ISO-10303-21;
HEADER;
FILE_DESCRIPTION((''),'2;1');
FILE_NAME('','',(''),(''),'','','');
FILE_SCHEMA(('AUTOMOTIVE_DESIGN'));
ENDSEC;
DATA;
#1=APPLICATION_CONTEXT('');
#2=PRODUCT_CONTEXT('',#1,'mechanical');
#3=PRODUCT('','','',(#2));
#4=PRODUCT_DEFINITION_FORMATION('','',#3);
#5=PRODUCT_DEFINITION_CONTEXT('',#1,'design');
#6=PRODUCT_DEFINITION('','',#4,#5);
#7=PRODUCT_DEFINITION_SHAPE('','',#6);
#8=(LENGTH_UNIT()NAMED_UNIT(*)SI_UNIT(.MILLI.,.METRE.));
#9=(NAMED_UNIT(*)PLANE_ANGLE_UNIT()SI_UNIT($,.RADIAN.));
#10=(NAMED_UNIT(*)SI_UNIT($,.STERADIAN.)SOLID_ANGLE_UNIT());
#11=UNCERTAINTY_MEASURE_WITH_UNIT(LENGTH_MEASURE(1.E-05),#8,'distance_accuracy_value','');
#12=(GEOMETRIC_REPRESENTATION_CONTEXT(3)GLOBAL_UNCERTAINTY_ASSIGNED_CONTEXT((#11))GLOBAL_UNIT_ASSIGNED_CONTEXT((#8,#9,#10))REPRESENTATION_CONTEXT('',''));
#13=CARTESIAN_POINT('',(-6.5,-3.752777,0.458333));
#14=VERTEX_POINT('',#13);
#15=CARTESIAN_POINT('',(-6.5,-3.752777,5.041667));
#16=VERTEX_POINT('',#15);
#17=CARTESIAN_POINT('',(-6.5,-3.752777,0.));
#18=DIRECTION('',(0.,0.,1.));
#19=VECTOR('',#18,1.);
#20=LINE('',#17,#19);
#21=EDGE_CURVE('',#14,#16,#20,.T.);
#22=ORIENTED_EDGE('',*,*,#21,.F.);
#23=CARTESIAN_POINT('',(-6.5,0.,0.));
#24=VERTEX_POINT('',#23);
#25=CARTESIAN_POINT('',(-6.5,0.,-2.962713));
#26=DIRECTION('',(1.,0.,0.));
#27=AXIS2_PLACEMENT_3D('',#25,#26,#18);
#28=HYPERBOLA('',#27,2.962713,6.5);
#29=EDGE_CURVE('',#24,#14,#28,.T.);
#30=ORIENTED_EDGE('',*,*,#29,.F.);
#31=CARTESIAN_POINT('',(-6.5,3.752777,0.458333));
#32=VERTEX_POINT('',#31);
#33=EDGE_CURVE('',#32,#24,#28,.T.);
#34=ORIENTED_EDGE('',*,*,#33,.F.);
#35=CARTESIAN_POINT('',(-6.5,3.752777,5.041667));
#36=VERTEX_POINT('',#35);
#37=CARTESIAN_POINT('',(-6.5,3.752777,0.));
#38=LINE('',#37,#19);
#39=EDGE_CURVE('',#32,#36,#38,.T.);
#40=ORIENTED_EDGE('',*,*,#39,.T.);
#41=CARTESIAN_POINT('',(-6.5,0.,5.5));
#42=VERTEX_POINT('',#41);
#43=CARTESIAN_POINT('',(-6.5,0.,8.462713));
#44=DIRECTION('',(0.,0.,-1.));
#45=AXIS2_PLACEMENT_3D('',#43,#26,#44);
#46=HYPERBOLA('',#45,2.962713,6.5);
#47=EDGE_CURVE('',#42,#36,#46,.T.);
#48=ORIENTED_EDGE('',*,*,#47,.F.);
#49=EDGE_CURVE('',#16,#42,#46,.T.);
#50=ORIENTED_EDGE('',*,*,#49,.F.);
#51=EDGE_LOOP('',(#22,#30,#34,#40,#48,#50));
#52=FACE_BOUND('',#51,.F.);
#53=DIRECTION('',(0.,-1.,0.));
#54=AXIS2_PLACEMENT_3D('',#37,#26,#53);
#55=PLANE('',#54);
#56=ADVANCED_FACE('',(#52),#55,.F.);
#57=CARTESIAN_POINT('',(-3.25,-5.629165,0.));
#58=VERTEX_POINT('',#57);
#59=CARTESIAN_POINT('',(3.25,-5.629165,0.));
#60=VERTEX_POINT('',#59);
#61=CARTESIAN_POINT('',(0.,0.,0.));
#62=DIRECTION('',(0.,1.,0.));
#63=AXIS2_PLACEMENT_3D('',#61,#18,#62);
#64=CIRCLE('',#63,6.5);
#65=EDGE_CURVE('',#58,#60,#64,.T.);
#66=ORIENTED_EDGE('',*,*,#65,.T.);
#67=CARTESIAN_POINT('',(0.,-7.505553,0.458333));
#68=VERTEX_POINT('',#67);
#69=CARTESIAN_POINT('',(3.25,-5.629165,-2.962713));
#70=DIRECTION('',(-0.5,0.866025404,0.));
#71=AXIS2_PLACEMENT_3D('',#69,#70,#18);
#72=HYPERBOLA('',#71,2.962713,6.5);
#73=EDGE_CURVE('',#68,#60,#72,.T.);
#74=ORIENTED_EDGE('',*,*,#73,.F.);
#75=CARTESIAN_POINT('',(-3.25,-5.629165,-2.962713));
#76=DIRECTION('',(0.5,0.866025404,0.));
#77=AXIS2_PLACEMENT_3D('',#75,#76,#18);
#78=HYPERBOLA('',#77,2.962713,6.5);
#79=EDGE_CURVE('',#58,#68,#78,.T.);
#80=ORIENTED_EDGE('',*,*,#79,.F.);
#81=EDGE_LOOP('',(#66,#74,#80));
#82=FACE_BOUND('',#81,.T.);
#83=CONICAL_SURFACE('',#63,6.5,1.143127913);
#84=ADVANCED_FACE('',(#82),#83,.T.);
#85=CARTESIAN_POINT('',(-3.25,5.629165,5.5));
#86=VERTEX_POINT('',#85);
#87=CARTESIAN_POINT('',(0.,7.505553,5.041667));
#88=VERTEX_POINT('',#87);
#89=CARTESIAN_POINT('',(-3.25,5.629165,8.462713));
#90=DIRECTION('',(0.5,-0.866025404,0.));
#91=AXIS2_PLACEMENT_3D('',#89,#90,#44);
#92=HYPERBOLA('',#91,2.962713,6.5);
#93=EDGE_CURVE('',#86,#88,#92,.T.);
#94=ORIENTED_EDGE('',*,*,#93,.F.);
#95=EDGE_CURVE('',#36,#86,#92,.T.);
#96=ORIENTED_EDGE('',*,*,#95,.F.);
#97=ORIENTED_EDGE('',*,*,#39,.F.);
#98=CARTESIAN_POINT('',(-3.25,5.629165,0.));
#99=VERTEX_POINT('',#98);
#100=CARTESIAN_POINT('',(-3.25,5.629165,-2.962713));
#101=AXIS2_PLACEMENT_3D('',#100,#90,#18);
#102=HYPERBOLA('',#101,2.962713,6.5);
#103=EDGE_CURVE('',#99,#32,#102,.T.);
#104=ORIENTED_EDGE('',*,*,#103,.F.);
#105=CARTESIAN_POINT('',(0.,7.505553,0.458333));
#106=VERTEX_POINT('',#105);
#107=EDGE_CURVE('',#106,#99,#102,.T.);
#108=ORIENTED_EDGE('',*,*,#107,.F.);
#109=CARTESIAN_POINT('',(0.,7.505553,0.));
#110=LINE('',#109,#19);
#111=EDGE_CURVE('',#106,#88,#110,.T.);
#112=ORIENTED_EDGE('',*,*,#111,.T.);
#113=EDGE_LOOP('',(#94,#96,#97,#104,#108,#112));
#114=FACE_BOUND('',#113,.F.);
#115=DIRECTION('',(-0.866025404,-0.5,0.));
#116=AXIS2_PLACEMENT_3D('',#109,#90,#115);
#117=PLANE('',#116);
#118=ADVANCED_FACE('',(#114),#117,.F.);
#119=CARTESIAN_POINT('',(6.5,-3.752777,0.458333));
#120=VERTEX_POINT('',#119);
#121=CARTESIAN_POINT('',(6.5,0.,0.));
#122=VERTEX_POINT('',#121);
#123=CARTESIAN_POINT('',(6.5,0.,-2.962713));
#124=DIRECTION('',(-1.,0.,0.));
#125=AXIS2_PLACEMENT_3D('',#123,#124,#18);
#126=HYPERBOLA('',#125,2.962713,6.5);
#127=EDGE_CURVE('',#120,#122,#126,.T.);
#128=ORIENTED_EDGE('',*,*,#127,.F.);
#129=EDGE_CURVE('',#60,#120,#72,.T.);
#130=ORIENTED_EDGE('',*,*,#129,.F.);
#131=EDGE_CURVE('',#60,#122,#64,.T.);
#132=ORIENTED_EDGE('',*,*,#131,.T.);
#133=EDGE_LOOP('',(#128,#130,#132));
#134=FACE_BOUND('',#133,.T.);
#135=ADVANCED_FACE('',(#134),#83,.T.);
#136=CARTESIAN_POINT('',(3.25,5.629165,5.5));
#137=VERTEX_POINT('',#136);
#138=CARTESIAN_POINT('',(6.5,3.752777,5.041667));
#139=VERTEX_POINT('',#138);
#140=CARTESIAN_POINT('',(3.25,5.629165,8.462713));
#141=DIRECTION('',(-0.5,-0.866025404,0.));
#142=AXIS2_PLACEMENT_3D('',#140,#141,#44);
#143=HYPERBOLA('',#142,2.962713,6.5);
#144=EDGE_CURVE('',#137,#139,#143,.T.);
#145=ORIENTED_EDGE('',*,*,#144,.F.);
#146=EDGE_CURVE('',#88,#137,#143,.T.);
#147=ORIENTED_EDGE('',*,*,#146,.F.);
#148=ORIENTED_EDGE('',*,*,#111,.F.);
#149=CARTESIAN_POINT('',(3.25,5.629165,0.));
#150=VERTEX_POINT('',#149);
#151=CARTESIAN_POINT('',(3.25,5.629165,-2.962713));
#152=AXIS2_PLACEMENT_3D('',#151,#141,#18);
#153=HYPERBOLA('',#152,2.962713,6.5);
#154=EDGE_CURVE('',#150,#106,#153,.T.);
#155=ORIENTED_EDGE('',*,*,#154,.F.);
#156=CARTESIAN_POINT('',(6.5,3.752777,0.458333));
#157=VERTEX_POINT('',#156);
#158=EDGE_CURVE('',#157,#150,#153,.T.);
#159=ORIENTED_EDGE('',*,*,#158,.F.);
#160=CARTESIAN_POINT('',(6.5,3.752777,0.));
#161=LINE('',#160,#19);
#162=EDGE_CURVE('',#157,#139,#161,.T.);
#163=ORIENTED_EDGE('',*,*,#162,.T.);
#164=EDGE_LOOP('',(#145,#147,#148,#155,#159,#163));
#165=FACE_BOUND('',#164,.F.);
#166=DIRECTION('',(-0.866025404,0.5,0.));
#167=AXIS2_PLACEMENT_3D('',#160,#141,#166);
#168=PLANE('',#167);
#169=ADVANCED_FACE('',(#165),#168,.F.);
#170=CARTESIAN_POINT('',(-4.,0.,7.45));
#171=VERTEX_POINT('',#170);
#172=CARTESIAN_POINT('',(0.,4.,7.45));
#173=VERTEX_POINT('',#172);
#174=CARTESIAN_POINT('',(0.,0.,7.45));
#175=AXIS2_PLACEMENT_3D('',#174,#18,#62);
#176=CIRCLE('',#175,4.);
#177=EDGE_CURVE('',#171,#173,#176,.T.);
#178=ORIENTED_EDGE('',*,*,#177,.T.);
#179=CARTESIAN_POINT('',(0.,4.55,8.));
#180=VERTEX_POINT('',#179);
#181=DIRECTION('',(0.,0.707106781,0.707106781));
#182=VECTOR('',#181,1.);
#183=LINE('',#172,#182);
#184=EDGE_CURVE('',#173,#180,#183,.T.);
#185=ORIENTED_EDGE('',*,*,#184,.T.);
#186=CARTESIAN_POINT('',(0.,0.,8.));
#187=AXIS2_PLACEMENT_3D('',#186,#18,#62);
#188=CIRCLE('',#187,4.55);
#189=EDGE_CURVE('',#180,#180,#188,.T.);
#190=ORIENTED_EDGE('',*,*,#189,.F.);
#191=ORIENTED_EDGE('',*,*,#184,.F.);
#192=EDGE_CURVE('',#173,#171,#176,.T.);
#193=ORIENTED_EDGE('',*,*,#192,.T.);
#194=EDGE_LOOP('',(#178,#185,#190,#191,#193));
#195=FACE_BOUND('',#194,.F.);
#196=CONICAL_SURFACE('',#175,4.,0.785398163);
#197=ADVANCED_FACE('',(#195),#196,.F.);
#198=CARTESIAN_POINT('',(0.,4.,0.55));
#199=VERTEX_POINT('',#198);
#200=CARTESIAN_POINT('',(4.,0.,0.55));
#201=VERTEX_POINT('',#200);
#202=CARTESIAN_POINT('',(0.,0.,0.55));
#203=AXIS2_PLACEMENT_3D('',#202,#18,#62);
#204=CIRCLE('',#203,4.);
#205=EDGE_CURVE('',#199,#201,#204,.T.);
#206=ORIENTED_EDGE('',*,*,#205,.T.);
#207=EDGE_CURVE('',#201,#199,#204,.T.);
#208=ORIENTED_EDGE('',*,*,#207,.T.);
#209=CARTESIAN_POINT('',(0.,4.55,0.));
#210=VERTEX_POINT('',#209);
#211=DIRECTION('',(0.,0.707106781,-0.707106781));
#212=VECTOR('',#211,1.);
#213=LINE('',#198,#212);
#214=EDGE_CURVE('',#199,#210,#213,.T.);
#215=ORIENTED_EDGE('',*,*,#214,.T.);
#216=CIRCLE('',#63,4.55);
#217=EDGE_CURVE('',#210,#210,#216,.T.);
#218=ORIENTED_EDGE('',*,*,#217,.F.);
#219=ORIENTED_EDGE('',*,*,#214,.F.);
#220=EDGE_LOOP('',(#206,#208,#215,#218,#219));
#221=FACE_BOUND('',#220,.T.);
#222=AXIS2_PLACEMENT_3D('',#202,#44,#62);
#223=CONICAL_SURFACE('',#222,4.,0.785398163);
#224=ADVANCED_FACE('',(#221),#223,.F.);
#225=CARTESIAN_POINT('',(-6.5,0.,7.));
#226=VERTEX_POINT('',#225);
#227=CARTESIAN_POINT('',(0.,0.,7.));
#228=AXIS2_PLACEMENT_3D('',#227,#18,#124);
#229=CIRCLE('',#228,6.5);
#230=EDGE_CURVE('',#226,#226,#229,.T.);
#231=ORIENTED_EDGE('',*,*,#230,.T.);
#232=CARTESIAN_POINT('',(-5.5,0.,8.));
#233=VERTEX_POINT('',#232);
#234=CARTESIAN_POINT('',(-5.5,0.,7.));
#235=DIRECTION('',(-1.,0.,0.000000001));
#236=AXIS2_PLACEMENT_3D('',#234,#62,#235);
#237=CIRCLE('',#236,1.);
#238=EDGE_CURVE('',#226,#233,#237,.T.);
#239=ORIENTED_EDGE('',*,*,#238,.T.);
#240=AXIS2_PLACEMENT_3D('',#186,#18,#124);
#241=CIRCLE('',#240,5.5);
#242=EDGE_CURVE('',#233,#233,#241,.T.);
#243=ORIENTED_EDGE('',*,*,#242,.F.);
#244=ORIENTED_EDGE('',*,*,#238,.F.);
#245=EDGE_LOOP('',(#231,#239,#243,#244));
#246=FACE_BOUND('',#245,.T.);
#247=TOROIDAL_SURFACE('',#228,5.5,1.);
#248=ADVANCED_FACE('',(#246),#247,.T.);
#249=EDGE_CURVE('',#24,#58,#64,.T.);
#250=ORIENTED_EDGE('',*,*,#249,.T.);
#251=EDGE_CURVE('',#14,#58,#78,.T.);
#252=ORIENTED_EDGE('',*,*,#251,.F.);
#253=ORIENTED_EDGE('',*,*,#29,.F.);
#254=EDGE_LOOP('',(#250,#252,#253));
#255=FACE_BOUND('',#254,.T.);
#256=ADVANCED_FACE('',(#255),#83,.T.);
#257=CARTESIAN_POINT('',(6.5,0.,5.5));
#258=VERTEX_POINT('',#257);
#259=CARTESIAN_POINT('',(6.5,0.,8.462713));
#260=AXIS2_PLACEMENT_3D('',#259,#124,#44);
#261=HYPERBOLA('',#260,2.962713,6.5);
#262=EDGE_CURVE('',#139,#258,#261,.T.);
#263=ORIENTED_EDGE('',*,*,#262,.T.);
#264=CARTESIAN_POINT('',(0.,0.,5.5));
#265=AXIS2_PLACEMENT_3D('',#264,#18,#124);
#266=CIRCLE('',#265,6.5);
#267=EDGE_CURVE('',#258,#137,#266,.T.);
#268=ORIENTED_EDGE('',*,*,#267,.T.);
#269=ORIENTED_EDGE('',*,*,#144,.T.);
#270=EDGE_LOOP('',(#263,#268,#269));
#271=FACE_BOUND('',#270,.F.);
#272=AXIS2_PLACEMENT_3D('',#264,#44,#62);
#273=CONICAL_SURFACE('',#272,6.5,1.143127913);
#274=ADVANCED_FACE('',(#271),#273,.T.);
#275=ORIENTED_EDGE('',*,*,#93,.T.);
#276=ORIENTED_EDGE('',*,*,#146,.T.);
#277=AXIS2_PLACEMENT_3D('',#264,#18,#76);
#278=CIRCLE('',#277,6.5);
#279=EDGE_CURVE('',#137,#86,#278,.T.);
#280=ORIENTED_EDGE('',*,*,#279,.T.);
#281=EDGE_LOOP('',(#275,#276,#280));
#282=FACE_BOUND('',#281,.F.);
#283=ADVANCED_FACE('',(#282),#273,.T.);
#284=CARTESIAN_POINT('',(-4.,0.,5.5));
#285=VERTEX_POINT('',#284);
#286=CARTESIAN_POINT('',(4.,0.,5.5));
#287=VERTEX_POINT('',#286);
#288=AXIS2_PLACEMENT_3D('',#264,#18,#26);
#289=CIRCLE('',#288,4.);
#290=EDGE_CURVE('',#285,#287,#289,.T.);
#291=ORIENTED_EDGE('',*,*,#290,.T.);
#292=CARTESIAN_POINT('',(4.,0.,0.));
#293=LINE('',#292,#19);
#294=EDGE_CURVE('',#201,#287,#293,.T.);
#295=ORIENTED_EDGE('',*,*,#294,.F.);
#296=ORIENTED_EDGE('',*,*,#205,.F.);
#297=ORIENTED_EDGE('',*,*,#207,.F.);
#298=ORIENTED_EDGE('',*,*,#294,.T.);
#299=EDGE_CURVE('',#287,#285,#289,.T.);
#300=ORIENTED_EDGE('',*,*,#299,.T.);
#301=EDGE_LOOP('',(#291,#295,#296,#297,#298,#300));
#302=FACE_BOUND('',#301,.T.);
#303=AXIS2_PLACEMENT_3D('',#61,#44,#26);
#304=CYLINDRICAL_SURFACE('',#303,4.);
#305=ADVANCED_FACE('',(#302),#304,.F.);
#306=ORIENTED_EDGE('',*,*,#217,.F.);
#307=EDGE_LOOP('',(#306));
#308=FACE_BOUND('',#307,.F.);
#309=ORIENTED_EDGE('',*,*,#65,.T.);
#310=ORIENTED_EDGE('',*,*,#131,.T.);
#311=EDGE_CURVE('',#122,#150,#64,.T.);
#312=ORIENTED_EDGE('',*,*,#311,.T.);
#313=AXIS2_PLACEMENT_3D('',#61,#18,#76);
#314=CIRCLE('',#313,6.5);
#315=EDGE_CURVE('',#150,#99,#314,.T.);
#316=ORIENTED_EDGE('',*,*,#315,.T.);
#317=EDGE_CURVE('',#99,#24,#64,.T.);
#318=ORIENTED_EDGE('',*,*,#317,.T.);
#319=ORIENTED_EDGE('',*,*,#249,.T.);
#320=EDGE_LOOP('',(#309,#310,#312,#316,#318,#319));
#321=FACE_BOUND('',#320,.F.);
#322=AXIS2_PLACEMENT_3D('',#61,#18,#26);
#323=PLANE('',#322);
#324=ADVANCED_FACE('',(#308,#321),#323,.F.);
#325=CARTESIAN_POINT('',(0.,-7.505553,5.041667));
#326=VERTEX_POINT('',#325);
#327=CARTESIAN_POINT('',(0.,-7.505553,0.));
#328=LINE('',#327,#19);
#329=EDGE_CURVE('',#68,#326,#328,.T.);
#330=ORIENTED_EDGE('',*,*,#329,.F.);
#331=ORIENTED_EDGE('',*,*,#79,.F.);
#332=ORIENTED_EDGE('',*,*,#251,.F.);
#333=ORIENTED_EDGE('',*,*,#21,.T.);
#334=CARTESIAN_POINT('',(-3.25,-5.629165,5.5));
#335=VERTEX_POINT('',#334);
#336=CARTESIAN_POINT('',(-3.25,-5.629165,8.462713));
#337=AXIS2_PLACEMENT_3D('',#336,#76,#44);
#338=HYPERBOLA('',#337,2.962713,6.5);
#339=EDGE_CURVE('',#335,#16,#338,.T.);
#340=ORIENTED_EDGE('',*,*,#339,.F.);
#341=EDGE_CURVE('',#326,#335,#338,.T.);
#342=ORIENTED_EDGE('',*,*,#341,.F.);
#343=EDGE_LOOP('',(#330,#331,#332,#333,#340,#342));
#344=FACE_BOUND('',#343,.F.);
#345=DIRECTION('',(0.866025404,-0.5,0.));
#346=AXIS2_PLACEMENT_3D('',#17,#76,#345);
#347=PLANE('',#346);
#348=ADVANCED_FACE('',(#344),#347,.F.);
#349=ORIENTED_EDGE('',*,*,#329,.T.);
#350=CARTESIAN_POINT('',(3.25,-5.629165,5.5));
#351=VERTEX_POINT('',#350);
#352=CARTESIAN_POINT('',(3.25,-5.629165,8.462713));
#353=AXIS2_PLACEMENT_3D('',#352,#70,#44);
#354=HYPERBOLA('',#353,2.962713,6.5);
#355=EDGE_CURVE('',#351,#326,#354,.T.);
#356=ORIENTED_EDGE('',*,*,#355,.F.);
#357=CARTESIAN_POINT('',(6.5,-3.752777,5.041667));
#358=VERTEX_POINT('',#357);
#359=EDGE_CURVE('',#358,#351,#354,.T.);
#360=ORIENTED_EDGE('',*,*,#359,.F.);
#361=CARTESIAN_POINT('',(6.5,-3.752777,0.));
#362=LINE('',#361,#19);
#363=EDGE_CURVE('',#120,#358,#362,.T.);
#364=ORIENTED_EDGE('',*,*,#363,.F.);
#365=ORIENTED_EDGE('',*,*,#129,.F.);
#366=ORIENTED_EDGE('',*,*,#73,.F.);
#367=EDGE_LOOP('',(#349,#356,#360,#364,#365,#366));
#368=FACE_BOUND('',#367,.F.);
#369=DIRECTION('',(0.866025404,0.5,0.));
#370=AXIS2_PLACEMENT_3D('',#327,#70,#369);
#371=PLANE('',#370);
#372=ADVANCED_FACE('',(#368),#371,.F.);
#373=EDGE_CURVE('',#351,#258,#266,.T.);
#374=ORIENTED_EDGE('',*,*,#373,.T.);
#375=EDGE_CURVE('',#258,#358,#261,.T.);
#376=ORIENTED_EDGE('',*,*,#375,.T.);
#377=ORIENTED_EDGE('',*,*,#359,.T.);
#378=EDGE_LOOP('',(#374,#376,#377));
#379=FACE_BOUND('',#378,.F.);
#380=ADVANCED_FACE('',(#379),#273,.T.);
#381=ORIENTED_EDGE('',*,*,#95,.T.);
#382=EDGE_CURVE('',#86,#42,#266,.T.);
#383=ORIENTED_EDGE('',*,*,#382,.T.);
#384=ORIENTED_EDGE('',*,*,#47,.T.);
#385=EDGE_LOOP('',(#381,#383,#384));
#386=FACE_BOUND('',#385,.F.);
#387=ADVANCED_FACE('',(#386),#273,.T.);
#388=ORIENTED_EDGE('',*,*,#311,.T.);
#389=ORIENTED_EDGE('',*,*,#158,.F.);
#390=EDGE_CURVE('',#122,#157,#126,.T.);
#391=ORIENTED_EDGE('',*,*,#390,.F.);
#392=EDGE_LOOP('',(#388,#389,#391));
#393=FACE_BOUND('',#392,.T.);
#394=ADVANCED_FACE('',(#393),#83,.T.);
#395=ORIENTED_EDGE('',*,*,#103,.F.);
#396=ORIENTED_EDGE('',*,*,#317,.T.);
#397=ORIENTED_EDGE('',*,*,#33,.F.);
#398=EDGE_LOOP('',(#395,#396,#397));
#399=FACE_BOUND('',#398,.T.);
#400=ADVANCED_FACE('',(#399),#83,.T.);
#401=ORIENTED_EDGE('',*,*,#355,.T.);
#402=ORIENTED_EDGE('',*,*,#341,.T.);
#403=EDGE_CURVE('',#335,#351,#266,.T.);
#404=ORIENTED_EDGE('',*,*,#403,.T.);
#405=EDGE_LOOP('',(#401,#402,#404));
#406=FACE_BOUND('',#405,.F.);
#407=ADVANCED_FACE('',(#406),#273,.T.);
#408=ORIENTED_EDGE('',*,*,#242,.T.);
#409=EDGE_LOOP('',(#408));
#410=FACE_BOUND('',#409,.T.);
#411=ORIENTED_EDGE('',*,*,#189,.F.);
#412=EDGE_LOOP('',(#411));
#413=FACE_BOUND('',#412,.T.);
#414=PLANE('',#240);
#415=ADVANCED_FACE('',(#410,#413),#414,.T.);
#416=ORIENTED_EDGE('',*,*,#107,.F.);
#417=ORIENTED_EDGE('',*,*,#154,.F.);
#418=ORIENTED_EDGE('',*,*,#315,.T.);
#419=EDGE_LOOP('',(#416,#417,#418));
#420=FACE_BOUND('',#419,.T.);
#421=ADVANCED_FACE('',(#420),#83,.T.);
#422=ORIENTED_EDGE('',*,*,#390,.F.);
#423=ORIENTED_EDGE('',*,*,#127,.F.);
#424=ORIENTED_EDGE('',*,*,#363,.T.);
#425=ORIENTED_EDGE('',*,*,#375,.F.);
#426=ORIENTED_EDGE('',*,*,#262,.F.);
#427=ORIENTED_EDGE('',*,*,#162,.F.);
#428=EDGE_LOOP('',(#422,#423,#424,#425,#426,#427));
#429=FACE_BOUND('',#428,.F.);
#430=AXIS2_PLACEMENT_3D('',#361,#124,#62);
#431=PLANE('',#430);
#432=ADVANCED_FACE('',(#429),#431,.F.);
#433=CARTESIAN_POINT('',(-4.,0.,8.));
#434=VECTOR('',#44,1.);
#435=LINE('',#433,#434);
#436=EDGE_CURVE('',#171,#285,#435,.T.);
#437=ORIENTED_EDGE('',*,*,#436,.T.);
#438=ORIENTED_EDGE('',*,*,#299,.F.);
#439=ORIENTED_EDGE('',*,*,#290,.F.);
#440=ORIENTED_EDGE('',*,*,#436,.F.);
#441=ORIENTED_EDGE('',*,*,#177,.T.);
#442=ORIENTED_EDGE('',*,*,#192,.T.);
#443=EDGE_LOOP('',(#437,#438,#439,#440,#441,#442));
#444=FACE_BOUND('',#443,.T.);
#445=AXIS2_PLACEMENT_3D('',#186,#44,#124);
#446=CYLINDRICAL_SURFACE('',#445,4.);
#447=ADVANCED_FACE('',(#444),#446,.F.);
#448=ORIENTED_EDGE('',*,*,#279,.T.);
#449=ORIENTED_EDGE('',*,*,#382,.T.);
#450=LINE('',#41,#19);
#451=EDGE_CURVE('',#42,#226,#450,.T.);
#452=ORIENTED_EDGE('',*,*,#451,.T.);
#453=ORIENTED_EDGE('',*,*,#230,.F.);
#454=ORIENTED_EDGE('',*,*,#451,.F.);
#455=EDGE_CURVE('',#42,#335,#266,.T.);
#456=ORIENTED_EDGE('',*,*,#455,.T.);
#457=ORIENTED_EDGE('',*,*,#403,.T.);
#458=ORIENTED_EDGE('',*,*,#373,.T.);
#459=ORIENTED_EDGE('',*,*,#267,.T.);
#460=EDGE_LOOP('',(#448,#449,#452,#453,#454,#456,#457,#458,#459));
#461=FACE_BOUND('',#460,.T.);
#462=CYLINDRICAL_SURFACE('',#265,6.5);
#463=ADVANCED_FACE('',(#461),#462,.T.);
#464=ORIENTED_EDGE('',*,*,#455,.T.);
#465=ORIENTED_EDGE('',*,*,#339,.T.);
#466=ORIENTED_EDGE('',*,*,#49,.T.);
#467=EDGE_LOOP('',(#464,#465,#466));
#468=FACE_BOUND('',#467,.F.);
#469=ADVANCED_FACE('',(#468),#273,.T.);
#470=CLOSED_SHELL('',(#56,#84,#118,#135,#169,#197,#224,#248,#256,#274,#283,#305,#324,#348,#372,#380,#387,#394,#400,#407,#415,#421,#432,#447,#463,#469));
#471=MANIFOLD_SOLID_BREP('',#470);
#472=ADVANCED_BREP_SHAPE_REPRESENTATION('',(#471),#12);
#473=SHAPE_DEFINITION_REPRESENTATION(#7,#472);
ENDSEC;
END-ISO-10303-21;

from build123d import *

# Parameters (mm, degrees)
SKETCH1_R           = 4
BOSS_EXTRUDE1_DEPTH = 5.5


with BuildPart() as part:
    # Sketch1 → Boss-Extrude1 (new body)
    with BuildSketch(Plane.XY):
        Polygon((0, -7.505553499), (6.5, -3.75277675), (6.5, 3.75277675), (0, 7.505553499), (-6.5, 3.75277675), (-6.5, -3.75277675), align=None)
        Circle(SKETCH1_R, mode=Mode.SUBTRACT)
    extrude(amount=BOSS_EXTRUDE1_DEPTH)

    # Sketch3 → Revolve1 (revolve)
    with BuildSketch(Plane(origin=(0, 0, 0), x_dir=(0, 0, -1), z_dir=(0, 1, 0))):
        with BuildLine():
            Line((-5.5, 6.5), (-7, 6.5))
            ThreePointArc((-7, 6.5), (-7.707106781, 6.207106781), (-8, 5.5))
            Line((-8, 5.5), (-8, 4))
            Line((-8, 4), (-5.5, 4))
            Line((-5.5, 4), (-5.5, 6.5))
        make_face()
    revolve(axis=Axis((0, 0, 0), (0, 0, 1)))

    # Sketch2 → Cut-Revolve1 (revolve, cut)
    with BuildSketch(Plane(origin=(0, 0, 0), x_dir=(0, 0, -1), z_dir=(1, 0, 0))):
        Polygon((-5.5, 7.505553499), (-5.5, 6.5), (-5.041666667, 7.505553499), align=None)
        Polygon((-0.458333333, 7.505553499), (0, 7.505553499), (0, 6.5), align=None)
        Polygon((-8, 4), (-7.45, 4), (-8, 4.55), align=None)
        Polygon((0, 4), (-0.55, 4), (0, 4.55), align=None)
    revolve(axis=Axis((0, 0, 0), (0, 0, 1)), mode=Mode.SUBTRACT)


solid = part.part
